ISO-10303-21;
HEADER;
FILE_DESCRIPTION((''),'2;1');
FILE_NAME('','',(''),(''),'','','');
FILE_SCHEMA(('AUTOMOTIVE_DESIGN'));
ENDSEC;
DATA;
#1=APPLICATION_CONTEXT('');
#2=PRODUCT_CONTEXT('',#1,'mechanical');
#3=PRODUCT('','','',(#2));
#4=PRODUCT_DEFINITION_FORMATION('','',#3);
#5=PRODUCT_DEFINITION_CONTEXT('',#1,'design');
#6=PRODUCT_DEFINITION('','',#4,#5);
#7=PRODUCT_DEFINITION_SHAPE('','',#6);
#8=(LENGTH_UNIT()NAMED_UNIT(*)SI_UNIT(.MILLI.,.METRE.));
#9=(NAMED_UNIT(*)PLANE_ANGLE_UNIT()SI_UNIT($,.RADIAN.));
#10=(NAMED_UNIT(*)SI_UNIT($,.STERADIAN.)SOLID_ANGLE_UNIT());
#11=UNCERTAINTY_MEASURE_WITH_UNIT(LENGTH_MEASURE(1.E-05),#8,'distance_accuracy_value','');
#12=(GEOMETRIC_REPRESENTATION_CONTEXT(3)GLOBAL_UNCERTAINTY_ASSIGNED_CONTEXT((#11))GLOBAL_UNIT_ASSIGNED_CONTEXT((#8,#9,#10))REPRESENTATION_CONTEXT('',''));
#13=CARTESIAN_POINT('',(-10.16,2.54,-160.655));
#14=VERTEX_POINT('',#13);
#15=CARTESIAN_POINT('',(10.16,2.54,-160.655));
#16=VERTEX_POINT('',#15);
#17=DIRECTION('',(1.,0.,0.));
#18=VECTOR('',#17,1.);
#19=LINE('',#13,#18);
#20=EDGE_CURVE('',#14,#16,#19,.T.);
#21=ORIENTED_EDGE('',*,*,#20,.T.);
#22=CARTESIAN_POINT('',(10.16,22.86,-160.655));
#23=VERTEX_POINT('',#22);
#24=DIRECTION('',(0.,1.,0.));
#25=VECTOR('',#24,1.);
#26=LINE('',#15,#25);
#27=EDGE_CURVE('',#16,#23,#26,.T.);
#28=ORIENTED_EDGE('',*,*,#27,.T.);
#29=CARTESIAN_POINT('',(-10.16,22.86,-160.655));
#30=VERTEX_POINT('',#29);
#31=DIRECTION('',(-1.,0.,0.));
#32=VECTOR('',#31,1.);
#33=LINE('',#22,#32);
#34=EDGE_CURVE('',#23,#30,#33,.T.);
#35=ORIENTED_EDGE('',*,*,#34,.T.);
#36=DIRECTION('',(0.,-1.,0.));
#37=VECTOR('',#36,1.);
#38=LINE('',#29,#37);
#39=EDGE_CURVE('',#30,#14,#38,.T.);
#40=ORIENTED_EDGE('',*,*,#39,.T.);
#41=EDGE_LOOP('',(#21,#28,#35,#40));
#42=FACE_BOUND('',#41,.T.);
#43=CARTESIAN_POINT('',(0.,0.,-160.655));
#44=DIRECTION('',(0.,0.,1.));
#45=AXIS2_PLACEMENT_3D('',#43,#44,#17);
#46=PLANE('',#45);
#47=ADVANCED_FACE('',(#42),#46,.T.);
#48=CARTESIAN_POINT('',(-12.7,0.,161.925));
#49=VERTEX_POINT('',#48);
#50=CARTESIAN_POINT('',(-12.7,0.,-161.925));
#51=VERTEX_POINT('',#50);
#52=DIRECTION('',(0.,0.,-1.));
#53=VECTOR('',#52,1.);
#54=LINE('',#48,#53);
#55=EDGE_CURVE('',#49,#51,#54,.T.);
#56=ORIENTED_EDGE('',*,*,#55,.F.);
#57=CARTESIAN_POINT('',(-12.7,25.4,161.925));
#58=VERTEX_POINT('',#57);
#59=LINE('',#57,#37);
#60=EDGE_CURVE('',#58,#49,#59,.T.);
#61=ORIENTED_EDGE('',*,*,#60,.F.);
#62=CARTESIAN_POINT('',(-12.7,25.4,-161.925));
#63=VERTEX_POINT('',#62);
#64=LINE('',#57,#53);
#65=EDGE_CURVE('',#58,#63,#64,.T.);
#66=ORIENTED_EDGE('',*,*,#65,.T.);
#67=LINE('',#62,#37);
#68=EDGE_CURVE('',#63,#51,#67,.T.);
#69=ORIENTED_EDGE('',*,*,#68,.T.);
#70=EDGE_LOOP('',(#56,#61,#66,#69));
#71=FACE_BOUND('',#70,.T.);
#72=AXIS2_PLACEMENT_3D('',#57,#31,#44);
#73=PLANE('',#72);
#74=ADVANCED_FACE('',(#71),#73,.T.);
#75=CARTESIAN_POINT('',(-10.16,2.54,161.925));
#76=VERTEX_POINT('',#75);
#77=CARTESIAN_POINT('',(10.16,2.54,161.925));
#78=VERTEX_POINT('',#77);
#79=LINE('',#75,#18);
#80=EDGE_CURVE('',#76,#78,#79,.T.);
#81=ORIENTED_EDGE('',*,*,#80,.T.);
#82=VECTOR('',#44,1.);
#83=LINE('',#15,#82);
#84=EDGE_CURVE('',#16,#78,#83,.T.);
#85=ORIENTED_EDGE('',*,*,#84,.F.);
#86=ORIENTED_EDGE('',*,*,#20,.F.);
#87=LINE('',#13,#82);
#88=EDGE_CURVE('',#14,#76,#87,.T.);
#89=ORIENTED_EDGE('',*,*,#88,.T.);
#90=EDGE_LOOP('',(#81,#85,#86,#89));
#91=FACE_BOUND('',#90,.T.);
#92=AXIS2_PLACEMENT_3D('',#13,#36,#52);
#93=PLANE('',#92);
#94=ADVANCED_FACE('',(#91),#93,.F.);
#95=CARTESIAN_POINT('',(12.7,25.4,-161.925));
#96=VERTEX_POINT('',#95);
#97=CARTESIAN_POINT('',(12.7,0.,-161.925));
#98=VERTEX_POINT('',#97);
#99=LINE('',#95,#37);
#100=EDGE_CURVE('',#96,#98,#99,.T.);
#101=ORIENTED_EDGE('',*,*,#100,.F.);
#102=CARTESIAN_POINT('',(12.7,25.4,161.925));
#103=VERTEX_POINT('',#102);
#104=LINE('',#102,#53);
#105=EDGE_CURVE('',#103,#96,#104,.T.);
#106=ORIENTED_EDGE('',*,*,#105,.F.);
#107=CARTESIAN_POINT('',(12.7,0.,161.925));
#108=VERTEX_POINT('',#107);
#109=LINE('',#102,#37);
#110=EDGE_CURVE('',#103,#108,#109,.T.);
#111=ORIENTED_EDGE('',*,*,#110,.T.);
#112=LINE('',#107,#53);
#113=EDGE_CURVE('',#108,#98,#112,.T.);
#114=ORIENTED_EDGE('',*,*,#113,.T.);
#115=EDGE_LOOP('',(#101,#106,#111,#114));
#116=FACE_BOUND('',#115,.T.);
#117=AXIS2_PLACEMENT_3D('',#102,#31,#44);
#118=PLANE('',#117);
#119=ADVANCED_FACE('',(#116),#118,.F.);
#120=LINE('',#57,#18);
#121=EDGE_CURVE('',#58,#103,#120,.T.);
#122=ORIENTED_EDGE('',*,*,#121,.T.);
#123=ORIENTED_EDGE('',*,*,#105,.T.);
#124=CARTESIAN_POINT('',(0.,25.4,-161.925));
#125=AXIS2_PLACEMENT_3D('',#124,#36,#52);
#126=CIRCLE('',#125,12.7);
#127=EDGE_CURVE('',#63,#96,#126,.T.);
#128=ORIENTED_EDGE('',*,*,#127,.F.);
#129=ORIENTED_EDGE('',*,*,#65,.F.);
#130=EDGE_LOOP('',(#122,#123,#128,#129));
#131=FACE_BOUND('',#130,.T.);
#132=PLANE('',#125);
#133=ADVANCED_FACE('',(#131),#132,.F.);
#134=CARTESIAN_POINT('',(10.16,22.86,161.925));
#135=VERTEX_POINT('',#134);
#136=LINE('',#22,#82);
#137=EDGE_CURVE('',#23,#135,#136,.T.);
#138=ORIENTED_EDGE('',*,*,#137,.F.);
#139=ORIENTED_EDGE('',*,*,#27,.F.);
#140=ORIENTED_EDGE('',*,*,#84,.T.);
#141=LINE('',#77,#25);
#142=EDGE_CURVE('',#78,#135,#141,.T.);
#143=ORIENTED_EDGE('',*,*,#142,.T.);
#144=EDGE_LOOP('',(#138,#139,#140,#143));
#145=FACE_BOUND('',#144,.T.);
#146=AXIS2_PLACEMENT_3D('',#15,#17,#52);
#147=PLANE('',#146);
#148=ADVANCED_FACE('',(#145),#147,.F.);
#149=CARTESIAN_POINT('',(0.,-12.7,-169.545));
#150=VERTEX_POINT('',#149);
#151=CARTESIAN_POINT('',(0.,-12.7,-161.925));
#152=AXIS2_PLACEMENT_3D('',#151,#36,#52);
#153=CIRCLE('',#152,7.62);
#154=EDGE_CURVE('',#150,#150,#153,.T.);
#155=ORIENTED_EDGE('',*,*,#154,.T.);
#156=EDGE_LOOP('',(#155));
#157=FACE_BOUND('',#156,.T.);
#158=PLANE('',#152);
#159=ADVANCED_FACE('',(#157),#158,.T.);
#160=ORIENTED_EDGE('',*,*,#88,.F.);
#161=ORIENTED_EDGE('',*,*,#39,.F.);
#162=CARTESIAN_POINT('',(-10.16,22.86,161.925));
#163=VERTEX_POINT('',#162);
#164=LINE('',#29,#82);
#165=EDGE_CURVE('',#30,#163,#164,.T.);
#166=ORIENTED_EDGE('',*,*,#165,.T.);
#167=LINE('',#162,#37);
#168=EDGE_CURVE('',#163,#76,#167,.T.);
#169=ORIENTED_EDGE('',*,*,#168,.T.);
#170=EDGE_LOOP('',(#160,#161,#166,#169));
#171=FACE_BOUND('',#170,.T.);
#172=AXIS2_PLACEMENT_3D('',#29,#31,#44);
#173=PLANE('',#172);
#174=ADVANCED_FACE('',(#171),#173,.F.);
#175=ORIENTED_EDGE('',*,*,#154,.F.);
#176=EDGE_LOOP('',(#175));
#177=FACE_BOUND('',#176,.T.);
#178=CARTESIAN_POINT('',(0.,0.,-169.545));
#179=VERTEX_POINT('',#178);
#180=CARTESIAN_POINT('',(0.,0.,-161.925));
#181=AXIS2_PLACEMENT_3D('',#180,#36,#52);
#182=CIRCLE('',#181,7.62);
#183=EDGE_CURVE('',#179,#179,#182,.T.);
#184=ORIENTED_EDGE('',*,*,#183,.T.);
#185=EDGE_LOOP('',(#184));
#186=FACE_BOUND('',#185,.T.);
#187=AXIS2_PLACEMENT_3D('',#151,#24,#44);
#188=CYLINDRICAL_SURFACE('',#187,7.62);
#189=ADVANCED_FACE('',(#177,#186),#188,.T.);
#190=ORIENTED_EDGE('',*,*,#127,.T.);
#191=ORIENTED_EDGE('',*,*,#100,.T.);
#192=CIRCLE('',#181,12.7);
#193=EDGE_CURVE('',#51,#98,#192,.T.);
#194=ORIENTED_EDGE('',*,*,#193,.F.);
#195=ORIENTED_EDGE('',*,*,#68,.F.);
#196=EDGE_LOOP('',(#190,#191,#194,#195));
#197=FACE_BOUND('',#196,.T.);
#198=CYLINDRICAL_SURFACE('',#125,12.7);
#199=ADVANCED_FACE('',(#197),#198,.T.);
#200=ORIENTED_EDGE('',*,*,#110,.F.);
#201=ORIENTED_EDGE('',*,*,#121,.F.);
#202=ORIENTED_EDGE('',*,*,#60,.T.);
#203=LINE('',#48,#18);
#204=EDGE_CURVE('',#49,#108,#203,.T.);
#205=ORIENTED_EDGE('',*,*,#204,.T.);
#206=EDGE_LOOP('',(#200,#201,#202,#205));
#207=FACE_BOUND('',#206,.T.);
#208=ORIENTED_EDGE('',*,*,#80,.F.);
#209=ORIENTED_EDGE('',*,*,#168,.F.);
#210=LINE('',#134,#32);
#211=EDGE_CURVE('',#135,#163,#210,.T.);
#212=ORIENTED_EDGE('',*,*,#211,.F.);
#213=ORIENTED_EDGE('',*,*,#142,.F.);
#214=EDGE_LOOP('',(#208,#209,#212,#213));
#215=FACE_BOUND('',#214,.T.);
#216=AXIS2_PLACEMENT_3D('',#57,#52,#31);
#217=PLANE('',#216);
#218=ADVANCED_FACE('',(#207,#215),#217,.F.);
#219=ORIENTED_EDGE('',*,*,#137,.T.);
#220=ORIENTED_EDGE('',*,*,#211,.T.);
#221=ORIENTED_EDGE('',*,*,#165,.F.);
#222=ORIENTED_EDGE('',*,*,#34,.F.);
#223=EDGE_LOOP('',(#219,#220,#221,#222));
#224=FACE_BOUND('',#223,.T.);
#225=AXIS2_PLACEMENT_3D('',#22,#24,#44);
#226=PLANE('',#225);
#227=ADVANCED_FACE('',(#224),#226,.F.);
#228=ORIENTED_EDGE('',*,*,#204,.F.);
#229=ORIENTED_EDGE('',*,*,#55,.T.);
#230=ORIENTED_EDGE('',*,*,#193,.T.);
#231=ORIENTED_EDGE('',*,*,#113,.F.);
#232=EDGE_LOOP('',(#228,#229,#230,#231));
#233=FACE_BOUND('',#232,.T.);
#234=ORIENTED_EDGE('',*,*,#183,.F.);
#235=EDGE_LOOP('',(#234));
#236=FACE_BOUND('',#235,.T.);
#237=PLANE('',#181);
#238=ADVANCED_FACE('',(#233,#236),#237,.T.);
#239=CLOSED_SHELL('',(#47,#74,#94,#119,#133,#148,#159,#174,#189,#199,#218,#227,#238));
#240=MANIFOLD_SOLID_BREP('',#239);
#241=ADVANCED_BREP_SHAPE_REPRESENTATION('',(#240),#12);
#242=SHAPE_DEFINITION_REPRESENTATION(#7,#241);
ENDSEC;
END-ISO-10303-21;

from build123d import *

# Parameters (mm, degrees)
BOSS_EXTRUDE1_DEPTH = 25.4
SKETCH2_W           = 20.32
SKETCH2_H           = 20.32
CUT_EXTRUDE1_DEPTH  = 322.58
SKETCH3_R           = 7.62
BOSS_EXTRUDE2_DEPTH = 12.7


with BuildPart() as part:
    # Sketch1 → Boss-Extrude1 (new body)
    with BuildSketch(Plane(origin=(0, 0, 0), x_dir=(1, 0, 0), z_dir=(0, 1, 0))):
        with BuildLine():
            Line((-12.7, -161.925), (12.7, -161.925))
            Line((12.7, -161.925), (12.7, 161.925))
            ThreePointArc((12.7, 161.925), (0, 174.625), (-12.7, 161.925))
            Line((-12.7, 161.925), (-12.7, -161.925))
        make_face()
    extrude(amount=BOSS_EXTRUDE1_DEPTH)

    # Sketch2 → Cut-Extrude1 (cut)
    with BuildSketch(Plane.XY.offset(161.925)):
        with Locations((0, 12.7)):
            Rectangle(SKETCH2_W, SKETCH2_H)
    extrude(amount=-CUT_EXTRUDE1_DEPTH, mode=Mode.SUBTRACT)

    # Sketch3 → Boss-Extrude2 (add)
    with BuildSketch(Plane.XZ):
        with Locations((0, -161.925)):
            Circle(SKETCH3_R)
    extrude(amount=BOSS_EXTRUDE2_DEPTH)


solid = part.part
